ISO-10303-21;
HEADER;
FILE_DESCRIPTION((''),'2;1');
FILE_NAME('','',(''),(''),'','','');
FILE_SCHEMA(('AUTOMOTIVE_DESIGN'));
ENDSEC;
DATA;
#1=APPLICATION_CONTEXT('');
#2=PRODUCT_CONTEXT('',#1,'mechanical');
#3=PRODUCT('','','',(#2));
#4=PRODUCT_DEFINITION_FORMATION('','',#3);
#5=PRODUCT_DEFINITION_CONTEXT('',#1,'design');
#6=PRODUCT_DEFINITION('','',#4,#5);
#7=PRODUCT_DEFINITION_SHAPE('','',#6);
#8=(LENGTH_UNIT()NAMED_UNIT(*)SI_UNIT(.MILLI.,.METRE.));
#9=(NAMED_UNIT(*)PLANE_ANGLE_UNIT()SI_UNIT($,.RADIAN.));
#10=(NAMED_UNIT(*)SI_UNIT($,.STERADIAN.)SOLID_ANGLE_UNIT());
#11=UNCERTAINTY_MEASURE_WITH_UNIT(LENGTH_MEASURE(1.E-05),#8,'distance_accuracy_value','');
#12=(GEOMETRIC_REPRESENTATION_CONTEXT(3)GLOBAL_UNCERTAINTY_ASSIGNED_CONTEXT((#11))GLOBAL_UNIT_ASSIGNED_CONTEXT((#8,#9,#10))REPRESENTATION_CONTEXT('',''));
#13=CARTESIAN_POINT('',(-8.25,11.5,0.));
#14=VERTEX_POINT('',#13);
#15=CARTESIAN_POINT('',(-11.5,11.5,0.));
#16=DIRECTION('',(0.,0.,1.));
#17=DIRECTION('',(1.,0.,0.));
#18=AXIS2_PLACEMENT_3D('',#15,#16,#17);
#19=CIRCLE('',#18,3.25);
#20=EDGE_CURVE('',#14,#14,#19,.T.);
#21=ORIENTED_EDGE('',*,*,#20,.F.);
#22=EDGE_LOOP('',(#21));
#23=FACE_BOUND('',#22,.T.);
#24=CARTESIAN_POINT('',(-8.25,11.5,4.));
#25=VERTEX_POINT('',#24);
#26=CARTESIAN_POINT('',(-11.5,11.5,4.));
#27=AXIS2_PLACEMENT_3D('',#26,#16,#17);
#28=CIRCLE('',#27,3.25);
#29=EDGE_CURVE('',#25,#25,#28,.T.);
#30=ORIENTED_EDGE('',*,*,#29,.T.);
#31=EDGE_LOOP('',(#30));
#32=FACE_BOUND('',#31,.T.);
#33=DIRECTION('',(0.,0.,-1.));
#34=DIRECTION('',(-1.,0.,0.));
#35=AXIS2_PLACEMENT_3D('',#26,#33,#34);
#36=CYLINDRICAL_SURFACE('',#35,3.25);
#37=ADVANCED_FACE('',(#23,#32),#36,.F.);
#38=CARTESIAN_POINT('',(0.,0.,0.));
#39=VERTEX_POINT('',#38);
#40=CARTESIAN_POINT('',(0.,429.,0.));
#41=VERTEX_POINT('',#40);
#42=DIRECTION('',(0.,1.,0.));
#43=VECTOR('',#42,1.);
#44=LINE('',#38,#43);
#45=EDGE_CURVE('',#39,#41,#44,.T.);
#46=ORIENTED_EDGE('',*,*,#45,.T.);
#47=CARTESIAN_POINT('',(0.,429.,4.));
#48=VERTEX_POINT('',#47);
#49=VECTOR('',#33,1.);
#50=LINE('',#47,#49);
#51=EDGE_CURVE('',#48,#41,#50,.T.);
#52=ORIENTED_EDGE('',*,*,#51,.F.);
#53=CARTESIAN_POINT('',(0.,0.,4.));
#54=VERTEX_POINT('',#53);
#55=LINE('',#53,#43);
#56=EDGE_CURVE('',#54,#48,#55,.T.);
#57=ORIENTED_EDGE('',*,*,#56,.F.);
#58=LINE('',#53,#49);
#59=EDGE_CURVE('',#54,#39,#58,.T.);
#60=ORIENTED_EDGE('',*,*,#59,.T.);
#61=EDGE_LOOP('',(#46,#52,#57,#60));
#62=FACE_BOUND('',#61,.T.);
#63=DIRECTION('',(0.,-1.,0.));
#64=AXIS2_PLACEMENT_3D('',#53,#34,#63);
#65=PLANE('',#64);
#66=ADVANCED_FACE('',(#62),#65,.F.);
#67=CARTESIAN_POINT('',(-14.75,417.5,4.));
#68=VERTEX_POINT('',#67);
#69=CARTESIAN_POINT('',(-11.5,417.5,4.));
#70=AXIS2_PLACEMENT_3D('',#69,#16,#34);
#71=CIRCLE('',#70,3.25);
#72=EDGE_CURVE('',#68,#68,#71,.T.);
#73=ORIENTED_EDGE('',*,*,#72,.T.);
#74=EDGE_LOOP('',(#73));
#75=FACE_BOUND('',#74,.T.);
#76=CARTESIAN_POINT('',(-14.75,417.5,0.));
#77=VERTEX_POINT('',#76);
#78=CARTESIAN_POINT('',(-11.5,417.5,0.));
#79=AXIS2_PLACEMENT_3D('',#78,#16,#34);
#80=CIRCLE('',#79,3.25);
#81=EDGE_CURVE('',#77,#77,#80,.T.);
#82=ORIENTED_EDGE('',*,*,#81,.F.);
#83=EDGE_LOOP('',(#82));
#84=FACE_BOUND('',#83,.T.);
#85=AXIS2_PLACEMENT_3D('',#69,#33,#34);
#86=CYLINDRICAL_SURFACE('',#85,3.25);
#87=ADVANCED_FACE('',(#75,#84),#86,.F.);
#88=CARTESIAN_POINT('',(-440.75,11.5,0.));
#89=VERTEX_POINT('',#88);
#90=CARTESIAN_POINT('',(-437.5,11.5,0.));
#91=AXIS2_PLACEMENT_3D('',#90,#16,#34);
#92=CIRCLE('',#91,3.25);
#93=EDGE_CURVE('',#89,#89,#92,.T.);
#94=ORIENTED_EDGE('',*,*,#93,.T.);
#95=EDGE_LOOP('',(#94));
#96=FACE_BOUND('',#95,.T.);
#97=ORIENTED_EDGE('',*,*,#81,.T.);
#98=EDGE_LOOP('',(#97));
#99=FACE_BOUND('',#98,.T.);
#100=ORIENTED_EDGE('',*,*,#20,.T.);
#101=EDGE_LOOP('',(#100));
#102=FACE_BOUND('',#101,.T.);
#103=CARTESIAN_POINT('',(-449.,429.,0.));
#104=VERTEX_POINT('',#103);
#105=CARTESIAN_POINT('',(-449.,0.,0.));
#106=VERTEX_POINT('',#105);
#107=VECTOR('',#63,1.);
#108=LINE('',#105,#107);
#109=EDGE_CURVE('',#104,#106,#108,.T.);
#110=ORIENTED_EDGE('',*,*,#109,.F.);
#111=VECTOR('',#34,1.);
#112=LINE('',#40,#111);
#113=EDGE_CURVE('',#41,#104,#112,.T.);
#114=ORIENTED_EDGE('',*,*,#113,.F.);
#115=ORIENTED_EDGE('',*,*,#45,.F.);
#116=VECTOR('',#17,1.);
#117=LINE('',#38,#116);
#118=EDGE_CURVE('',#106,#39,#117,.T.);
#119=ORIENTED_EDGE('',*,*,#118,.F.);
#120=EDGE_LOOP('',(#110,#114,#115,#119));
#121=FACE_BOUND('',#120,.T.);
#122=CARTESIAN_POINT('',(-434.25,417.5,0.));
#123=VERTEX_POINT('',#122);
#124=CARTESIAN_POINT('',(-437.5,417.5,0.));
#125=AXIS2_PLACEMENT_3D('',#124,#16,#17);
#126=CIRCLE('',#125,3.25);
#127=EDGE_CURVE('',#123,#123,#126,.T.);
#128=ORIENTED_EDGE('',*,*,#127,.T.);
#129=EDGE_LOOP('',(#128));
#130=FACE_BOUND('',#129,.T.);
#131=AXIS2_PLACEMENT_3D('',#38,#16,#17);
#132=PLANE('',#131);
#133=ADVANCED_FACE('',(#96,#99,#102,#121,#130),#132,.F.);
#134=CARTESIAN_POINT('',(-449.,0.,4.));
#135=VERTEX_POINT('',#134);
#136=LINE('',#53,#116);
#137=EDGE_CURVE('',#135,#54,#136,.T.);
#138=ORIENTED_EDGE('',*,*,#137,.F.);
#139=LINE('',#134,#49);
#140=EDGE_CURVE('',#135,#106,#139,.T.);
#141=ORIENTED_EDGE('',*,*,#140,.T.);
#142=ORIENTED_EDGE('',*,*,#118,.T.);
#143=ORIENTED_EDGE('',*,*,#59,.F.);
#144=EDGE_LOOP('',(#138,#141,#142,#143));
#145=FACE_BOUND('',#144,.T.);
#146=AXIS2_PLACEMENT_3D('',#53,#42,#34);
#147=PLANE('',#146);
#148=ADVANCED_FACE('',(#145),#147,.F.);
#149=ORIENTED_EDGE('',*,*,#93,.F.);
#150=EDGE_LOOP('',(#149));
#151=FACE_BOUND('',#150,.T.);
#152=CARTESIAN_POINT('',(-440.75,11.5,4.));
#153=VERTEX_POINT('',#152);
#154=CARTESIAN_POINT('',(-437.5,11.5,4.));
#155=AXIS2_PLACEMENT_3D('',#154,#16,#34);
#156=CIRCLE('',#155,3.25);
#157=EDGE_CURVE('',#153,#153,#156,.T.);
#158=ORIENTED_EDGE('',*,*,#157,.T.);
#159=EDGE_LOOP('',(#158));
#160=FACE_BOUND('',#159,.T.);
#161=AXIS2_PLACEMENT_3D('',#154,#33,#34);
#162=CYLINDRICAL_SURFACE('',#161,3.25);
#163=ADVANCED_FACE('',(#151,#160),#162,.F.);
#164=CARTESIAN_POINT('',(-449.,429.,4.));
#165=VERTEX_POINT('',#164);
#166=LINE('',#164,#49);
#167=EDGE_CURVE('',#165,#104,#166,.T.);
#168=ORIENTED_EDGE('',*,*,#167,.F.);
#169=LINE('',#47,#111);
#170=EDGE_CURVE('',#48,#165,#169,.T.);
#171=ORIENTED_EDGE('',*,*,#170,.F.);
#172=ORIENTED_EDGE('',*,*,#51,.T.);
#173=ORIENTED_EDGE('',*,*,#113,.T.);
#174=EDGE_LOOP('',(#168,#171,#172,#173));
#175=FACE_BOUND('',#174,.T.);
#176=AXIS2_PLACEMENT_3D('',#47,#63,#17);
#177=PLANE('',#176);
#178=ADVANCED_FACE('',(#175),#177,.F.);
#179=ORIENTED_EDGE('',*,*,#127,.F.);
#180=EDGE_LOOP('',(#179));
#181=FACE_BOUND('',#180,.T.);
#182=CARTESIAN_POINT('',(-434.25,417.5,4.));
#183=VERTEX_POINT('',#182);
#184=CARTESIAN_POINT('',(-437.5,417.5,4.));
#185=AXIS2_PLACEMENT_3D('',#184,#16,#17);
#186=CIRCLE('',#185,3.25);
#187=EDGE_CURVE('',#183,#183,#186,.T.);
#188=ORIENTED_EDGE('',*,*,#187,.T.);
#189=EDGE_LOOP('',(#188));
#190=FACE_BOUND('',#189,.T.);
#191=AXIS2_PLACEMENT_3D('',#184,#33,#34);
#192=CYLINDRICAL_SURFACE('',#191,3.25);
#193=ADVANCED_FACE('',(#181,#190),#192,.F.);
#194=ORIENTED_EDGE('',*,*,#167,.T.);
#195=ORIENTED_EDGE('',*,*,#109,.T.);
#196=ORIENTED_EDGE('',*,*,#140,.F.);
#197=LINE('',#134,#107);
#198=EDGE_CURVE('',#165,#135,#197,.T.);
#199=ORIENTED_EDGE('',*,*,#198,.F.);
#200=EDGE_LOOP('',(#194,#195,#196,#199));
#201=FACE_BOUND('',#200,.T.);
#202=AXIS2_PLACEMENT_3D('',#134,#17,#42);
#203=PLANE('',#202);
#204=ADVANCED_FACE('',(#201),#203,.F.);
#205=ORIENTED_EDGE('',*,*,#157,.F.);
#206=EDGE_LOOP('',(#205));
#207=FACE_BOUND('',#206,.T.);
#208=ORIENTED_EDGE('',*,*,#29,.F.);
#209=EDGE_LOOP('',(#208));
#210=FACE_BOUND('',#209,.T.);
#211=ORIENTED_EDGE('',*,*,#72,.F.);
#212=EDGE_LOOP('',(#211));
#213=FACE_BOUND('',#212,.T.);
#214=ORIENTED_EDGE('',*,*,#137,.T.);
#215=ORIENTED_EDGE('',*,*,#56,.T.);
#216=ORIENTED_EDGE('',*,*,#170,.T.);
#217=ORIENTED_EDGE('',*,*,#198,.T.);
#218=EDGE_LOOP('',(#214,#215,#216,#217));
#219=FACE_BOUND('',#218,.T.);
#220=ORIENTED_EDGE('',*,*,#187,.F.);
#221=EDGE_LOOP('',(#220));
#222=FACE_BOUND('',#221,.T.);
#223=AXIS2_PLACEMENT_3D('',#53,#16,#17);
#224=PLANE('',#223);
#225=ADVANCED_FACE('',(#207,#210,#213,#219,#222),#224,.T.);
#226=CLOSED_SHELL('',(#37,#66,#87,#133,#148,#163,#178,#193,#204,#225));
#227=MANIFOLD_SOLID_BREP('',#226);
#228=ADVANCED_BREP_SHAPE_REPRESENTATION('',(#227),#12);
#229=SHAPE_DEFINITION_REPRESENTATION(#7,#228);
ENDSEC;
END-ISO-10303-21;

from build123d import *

# Parameters (mm, degrees)
SCHIZZO1_W                   = 449
SCHIZZO1_H                   = 429
SCHIZZO1_R                   = 3.25
ESTRUSIONE_ESTRUSIONE1_DEPTH = 4


with BuildPart() as part:
    # Schizzo1 → Estrusione-Estrusione1 (new body)
    with BuildSketch(Plane.XY):
        with Locations((-224.5, 214.5)):
            Rectangle(SCHIZZO1_W, SCHIZZO1_H)
        with Locations((-437.5, 417.5)):
            Circle(SCHIZZO1_R, mode=Mode.SUBTRACT)
        with Locations((-11.5, 417.5)):
            Circle(SCHIZZO1_R, mode=Mode.SUBTRACT)
        with Locations((-437.5, 11.5)):
            Circle(SCHIZZO1_R, mode=Mode.SUBTRACT)
        with Locations((-11.5, 11.5)):
            Circle(SCHIZZO1_R, mode=Mode.SUBTRACT)
    extrude(amount=ESTRUSIONE_ESTRUSIONE1_DEPTH)


solid = part.part
